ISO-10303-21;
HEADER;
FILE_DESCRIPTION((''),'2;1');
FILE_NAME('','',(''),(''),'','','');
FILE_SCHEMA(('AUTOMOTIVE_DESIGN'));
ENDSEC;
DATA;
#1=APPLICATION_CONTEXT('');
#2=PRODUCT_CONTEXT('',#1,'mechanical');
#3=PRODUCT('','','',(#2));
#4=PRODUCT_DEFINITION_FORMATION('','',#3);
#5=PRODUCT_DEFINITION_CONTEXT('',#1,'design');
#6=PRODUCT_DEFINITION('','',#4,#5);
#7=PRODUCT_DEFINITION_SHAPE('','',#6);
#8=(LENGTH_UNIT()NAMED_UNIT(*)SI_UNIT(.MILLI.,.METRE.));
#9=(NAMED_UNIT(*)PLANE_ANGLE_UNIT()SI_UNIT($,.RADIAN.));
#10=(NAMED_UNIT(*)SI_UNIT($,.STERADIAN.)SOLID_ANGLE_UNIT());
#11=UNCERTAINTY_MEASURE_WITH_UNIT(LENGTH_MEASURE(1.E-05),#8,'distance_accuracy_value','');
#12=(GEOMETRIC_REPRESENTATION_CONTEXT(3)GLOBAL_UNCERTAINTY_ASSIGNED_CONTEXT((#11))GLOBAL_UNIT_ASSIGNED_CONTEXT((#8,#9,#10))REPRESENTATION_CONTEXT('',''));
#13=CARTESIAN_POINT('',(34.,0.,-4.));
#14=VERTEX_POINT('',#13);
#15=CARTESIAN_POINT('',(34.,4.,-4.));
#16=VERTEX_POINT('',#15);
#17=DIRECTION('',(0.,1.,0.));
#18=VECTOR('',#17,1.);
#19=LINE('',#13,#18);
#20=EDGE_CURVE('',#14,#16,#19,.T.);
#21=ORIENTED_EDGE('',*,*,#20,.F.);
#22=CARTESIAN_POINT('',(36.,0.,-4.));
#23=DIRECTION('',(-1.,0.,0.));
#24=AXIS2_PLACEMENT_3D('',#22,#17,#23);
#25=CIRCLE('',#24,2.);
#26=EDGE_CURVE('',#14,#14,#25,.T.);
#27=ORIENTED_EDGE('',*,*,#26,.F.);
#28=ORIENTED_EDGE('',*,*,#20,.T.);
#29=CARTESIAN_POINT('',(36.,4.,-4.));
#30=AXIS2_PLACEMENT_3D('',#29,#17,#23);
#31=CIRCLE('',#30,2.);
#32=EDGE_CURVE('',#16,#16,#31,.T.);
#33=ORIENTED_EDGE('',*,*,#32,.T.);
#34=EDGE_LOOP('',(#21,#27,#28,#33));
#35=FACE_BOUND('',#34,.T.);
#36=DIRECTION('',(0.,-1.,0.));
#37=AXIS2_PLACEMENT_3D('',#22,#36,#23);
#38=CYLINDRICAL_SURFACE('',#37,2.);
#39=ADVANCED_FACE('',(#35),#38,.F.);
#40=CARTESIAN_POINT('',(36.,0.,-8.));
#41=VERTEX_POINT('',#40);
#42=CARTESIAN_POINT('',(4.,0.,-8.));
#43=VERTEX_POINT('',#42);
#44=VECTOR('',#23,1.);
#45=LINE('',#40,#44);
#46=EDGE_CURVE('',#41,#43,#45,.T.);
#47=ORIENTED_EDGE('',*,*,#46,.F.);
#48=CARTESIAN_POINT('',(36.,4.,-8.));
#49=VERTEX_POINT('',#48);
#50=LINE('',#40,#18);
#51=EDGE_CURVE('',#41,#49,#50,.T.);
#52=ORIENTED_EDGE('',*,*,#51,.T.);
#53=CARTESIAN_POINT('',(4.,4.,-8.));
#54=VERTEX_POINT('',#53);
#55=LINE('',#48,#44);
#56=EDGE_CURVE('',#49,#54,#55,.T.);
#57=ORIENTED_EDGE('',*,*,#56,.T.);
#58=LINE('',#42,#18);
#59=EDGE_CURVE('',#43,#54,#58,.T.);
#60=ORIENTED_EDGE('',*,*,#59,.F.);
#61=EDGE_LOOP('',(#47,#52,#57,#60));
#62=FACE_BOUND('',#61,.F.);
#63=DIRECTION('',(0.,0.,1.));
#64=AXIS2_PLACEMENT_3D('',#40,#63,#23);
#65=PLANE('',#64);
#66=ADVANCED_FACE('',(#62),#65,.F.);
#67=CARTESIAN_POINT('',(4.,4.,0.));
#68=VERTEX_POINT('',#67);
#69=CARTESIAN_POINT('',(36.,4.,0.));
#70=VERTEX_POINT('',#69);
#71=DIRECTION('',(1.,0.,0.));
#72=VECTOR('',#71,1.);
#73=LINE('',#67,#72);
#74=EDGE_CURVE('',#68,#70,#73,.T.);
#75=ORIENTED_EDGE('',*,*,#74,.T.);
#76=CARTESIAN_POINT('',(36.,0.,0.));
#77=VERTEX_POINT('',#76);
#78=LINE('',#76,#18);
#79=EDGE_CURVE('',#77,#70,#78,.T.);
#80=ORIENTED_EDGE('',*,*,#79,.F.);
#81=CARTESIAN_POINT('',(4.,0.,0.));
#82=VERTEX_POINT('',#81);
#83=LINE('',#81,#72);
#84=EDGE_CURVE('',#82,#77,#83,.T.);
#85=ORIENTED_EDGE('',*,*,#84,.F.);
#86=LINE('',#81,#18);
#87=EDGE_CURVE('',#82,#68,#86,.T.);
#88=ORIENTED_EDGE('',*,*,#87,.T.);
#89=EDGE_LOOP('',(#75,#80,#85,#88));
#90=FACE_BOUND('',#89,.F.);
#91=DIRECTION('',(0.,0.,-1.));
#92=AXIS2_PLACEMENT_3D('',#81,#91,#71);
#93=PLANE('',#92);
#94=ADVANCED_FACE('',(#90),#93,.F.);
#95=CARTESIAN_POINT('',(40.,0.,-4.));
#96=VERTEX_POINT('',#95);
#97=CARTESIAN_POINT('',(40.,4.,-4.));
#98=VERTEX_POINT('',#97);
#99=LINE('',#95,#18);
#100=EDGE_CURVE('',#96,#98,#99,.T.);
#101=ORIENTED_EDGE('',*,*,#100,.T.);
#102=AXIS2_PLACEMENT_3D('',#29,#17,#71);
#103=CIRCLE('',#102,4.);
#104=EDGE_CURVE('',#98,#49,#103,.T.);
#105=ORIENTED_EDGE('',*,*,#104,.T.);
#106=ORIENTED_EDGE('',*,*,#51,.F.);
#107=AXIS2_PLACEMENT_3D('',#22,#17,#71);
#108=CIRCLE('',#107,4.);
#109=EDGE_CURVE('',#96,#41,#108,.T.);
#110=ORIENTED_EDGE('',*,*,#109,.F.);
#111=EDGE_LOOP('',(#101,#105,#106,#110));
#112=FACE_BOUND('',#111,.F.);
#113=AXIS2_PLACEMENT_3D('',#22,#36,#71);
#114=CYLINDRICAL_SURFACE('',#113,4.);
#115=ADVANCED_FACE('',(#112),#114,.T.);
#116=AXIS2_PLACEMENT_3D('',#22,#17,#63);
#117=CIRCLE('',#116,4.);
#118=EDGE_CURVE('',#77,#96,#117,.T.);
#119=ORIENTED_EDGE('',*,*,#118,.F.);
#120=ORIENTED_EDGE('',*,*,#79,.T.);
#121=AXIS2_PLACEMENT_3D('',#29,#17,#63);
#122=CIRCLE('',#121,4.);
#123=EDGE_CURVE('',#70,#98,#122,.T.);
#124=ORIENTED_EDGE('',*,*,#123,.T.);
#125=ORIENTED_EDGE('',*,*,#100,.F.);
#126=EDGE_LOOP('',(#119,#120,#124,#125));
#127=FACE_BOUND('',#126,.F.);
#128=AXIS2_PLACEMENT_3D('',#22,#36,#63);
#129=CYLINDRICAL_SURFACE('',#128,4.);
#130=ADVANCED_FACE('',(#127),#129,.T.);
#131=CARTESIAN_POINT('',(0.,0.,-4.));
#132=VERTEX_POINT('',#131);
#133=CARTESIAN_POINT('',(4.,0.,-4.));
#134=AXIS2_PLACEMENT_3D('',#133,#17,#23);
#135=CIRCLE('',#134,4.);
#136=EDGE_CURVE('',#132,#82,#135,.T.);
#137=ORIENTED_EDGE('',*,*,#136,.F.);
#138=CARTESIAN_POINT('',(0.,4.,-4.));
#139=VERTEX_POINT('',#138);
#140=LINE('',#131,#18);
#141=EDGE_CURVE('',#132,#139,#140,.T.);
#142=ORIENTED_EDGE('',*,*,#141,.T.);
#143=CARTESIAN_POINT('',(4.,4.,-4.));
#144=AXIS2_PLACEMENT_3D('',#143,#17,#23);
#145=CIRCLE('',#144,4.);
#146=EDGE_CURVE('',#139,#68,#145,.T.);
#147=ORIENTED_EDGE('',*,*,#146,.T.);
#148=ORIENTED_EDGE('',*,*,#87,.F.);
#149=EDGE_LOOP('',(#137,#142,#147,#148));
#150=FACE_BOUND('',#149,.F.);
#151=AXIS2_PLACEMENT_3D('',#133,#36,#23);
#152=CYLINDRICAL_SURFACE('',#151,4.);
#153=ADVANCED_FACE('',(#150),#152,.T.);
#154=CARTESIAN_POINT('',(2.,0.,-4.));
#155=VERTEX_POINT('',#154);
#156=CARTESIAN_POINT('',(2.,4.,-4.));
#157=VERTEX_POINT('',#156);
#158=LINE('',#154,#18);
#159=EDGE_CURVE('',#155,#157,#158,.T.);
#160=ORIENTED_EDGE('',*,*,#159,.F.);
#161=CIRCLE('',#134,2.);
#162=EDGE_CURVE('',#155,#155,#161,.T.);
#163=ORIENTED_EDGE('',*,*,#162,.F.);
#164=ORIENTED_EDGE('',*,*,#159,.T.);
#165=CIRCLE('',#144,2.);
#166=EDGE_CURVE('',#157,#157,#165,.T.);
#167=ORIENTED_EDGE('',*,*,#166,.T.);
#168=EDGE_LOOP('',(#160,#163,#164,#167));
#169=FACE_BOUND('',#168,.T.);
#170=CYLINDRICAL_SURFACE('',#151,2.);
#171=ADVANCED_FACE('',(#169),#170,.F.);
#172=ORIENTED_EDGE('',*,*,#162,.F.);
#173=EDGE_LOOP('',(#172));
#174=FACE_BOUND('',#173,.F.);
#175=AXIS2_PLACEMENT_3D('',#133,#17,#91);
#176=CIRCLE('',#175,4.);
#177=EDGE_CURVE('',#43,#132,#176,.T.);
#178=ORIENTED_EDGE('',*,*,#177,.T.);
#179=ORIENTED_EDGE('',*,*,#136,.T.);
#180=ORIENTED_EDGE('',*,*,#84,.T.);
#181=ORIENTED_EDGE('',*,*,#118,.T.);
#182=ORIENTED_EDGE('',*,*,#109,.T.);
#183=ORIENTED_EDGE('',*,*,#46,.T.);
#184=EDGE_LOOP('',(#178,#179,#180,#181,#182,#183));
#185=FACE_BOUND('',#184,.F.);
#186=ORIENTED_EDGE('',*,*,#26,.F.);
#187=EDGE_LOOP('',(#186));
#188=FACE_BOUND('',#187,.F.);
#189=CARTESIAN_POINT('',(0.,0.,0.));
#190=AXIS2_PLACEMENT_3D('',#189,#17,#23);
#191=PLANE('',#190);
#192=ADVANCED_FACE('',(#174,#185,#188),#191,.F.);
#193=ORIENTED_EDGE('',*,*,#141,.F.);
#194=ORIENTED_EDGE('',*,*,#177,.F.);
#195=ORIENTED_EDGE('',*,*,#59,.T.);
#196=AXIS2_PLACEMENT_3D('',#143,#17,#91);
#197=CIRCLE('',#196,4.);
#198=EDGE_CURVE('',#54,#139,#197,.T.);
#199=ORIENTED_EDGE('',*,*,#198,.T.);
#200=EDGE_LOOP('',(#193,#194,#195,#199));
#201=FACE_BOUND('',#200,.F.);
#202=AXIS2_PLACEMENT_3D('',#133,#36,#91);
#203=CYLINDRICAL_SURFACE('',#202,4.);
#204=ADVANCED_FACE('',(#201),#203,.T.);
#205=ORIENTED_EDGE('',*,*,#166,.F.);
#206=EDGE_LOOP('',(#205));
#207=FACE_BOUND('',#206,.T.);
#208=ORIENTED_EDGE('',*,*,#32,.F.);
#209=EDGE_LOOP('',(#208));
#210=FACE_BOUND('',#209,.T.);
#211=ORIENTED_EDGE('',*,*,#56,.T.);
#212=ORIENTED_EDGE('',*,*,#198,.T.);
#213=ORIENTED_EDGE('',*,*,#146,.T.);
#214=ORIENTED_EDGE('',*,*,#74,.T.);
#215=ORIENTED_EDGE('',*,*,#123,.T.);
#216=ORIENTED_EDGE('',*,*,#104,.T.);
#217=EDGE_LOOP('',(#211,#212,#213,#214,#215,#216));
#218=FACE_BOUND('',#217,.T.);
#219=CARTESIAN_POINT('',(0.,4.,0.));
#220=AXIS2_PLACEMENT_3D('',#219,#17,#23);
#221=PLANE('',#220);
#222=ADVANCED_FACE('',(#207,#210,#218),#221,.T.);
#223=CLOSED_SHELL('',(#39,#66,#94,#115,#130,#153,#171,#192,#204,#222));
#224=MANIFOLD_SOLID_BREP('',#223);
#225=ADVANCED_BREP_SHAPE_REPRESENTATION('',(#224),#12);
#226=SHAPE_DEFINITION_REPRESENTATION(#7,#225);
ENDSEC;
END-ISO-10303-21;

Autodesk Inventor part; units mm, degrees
ref_plane "YZ Plane" through (0, 0, 0) normal (1, 0, 0) x (0, 1, 0)
ref_plane "XZ Plane" through (0, 0, 0) normal (0, 1, 0) x (-1, 0, 0)
ref_plane "XY Plane" through (0, 0, 0) normal (0, 0, 1) x (1, 0, 0)
sketch "Sketch1" plane through (0, 0, 0) normal (0, 1, 0) x (-1, 0, 0)
  line L0 (-4, 0) -> (-36, 0)
  line L1 (-40, -4) -> (-40, -4)
  line L2 (-36, -8) -> (-4, -8)
  line L3 (0, -4) -> (0, -4)
  circle A0 centre (-36, -4) radius 2
  circle A1 centre (-4, -4) radius 2
  arc A2 (-4, -8) -> (0, -4) centre (-4, -4) ccw
  arc A3 (0, -4) -> (-4, 0) centre (-4, -4) ccw
  arc A4 (-36, 0) -> (-40, -4) centre (-36, -4) ccw
  arc A5 (-40, -4) -> (-36, -8) centre (-36, -4) ccw
  point P0 (0, 0)
  point P1 (-40, -8)
  point P2 (-40, 0)
  point P3 (0, -8)
  point P4 (-40, -4)
  point P5 (0, -4)
  dimension "d0" = 40
  dimension "d1" = 8
  dimension "d2" = 4
  dimension "d3" = 4
  dimension "d4" = 4
  dimension "d5" = 4
  dimension "d6" = 4
  dimension "d7" = 4
  dimension "d8" = 4
extrude "Extrusion1" add sketch "Sketch1" along normal blind 4
equation "\"d1\" = 2 * arm_rod_diam"
equation "\"d2\" = arm_rod_diam"
equation "\"d3\" = arm_rod_diam"
equation "\"d4\" = 0.5 * d1"
equation "\"d5\" = d4"
equation "\"d6\" = d4"
equation "\"d7\" = d5"
equation "\"d8\" = arm_rod_diam"
equation "\"arm_rod_diam\" = 4"
properties part number "config_arm"
